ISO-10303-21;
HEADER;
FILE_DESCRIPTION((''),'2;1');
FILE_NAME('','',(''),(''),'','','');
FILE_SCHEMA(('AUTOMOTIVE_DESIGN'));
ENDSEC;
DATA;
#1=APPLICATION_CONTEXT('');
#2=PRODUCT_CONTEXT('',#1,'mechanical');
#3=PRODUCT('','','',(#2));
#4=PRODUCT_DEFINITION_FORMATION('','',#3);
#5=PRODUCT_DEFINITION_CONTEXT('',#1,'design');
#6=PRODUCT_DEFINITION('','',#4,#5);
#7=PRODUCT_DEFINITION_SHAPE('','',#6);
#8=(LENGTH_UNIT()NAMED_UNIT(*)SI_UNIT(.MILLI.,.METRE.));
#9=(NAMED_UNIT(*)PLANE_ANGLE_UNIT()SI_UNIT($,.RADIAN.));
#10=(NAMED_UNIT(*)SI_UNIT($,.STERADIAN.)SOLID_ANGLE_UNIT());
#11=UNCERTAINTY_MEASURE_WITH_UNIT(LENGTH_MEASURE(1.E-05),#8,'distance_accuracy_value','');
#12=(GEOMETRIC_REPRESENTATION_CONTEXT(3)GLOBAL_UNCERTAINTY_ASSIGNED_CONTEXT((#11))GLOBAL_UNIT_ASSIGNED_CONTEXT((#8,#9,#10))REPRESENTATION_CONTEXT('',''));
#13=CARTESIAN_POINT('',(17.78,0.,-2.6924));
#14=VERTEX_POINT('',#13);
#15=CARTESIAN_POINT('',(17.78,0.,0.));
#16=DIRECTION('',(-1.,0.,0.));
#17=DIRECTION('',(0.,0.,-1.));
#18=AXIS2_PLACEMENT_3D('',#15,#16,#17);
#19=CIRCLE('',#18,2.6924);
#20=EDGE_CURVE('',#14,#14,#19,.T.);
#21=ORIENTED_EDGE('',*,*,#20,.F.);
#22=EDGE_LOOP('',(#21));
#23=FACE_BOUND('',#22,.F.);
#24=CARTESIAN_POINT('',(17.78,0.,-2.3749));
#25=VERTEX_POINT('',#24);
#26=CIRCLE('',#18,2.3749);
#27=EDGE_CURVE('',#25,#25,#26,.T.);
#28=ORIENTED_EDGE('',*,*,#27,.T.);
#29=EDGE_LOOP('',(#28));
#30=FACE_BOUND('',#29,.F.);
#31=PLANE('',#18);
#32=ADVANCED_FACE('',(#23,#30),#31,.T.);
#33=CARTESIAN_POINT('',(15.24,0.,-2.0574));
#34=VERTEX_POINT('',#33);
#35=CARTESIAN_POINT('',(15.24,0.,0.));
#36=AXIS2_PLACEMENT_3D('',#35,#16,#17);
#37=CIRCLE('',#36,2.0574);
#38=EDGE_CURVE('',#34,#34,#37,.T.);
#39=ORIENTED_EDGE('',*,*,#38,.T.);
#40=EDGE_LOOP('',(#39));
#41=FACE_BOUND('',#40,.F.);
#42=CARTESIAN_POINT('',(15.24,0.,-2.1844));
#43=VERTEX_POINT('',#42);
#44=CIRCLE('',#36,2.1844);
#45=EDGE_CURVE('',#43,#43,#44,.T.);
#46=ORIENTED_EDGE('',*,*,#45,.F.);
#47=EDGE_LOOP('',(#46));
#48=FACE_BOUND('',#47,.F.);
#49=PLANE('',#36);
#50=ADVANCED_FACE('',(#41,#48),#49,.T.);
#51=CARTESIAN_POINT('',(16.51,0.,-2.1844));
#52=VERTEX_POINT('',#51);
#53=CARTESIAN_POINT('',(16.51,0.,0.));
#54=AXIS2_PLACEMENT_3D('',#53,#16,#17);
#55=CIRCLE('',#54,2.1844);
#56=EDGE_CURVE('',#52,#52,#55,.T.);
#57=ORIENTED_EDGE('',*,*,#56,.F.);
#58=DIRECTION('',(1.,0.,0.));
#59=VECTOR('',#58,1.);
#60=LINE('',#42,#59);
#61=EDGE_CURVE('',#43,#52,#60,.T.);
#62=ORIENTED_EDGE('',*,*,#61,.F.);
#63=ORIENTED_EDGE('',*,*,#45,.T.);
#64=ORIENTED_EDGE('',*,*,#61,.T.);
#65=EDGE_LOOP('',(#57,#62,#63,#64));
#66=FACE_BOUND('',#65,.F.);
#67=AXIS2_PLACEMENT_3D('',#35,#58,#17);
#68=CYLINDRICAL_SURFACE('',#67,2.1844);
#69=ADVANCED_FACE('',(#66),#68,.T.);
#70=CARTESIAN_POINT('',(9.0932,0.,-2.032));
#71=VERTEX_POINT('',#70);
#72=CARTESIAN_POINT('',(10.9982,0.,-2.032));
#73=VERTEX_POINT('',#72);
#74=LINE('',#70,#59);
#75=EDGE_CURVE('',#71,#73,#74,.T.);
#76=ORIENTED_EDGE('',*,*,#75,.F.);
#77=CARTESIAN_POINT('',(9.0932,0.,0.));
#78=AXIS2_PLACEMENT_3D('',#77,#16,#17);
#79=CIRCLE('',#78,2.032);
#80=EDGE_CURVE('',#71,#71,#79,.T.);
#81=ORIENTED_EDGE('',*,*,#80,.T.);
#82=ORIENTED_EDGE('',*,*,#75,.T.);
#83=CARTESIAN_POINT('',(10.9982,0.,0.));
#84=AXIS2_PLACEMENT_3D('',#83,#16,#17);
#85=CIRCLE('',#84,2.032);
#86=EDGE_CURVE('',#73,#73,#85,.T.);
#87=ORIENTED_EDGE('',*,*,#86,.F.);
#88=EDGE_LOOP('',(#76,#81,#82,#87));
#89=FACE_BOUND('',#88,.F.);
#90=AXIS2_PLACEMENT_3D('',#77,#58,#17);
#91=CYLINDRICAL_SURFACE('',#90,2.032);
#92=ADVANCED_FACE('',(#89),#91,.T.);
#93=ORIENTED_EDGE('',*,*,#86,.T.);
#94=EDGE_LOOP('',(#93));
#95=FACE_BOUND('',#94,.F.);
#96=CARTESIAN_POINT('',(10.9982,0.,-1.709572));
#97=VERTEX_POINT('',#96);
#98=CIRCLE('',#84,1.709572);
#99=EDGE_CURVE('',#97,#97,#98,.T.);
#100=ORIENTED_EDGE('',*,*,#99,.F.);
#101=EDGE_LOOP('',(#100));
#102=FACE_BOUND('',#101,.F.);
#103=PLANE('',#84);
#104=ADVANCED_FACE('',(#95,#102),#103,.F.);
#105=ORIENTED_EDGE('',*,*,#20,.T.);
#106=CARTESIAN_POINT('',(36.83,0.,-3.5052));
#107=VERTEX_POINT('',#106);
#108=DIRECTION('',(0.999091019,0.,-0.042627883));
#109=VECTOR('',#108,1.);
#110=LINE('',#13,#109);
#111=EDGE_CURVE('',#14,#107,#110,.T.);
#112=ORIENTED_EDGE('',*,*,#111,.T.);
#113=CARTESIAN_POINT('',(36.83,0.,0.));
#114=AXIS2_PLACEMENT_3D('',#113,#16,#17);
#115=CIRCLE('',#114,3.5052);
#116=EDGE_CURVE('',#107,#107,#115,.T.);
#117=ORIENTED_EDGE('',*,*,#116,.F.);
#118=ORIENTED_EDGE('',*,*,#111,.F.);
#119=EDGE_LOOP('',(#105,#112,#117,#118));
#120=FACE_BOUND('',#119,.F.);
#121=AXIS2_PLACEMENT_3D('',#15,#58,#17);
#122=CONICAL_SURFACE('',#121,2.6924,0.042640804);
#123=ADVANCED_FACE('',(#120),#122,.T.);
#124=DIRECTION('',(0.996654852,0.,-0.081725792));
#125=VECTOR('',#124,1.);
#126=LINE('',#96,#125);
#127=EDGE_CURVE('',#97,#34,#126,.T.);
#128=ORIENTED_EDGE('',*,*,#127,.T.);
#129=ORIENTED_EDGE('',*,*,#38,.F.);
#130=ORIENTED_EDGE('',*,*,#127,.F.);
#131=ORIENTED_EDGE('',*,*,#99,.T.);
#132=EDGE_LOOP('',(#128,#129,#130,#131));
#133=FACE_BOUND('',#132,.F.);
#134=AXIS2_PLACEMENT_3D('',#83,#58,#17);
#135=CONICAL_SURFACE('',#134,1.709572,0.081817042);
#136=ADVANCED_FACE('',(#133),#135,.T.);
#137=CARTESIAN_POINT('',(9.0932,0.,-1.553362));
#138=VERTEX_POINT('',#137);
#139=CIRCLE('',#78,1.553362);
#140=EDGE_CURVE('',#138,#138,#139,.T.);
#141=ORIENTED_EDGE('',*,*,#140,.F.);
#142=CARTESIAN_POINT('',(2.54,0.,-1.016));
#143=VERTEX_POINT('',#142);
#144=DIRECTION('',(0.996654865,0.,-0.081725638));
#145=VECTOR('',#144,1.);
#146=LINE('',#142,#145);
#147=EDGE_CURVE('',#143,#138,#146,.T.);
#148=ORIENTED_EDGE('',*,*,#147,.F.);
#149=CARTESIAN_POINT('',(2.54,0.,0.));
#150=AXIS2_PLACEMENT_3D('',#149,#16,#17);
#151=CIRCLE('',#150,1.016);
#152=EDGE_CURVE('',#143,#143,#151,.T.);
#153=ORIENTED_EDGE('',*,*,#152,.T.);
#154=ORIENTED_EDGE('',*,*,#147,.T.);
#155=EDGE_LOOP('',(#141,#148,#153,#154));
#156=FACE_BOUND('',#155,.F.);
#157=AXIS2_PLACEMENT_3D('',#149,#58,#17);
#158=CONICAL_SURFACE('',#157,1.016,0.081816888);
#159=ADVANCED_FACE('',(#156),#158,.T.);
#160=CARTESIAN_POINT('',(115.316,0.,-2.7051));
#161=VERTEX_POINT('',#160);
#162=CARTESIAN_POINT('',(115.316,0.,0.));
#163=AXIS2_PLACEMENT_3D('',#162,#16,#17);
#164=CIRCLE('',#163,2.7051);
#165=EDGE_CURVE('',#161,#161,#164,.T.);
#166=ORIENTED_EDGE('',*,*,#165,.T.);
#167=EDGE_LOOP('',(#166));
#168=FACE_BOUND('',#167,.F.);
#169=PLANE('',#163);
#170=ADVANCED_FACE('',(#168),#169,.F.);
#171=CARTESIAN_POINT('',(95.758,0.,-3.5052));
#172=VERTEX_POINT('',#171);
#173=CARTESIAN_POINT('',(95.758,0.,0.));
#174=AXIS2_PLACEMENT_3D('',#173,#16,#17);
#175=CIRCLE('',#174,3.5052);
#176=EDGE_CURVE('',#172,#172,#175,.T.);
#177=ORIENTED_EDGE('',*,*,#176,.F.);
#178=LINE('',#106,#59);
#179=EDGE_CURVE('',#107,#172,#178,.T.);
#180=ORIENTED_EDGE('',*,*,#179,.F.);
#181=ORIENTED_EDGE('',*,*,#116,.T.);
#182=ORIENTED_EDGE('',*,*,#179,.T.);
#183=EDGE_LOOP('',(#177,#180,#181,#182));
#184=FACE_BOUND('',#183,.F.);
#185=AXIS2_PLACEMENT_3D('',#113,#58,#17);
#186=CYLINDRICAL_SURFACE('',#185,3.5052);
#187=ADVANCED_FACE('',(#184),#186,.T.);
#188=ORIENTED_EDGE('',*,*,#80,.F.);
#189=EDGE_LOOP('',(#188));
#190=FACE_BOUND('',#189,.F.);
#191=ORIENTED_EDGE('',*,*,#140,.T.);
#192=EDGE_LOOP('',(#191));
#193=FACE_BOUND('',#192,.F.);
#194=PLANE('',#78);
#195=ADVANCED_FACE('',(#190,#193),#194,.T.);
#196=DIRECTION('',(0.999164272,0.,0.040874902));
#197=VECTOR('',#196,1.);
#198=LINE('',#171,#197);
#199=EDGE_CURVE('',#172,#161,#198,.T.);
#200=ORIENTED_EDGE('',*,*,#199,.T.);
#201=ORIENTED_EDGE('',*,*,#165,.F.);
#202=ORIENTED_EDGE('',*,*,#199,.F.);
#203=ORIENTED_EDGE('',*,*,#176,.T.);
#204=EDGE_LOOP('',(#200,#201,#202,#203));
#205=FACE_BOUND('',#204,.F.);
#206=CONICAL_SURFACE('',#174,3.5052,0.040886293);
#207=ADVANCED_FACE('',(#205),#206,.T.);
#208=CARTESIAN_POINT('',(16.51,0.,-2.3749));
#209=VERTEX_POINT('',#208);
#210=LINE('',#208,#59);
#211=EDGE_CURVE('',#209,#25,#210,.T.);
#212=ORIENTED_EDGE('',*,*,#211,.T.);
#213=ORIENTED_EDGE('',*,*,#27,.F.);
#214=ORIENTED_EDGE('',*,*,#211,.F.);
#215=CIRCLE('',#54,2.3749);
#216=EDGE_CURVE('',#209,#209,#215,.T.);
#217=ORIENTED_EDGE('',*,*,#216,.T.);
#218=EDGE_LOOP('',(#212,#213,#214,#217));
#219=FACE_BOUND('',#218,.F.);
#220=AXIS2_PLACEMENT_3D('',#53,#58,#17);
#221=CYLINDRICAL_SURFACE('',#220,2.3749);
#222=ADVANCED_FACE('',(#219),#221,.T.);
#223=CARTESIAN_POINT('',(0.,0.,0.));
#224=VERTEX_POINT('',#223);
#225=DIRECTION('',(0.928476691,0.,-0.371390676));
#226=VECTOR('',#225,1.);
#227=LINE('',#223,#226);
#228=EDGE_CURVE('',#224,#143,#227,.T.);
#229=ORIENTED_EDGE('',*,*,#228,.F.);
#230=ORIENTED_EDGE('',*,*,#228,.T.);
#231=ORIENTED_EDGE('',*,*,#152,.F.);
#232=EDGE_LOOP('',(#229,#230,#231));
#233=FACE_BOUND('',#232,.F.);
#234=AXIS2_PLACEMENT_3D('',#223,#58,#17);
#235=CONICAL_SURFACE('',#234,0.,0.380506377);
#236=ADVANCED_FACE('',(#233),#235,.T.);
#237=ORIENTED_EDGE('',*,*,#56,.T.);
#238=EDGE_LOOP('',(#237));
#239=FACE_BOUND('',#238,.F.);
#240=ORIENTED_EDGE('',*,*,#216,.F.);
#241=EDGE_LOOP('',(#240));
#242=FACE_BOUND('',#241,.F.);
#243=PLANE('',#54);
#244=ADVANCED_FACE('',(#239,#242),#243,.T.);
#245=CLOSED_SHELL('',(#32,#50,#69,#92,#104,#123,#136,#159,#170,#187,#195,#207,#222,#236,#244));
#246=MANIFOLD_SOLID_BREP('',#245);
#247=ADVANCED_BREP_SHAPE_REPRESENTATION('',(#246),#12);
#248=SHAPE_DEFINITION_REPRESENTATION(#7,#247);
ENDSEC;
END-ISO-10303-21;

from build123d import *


with BuildPart() as f1:
    # F0 (on Front) → F1 (revolve)
    with BuildSketch(Plane.XZ):
        Polygon((115.316, 0), (0, 0), (2.54, -1.016), (9.0932, -1.553362), (9.0932, -2.032), (10.9982, -2.032), (10.9982, -1.709572), (15.24, -2.0574), (15.24, -2.1844), (16.51, -2.1844), (16.51, -2.3749), (17.78, -2.3749), (17.78, -2.6924), (36.83, -3.5052), (95.758, -3.5052), (115.316, -2.7051), align=None)
    revolve(axis=Axis((57.658, 0, 0), (-1, 0, 0)))


solid = f1.part
